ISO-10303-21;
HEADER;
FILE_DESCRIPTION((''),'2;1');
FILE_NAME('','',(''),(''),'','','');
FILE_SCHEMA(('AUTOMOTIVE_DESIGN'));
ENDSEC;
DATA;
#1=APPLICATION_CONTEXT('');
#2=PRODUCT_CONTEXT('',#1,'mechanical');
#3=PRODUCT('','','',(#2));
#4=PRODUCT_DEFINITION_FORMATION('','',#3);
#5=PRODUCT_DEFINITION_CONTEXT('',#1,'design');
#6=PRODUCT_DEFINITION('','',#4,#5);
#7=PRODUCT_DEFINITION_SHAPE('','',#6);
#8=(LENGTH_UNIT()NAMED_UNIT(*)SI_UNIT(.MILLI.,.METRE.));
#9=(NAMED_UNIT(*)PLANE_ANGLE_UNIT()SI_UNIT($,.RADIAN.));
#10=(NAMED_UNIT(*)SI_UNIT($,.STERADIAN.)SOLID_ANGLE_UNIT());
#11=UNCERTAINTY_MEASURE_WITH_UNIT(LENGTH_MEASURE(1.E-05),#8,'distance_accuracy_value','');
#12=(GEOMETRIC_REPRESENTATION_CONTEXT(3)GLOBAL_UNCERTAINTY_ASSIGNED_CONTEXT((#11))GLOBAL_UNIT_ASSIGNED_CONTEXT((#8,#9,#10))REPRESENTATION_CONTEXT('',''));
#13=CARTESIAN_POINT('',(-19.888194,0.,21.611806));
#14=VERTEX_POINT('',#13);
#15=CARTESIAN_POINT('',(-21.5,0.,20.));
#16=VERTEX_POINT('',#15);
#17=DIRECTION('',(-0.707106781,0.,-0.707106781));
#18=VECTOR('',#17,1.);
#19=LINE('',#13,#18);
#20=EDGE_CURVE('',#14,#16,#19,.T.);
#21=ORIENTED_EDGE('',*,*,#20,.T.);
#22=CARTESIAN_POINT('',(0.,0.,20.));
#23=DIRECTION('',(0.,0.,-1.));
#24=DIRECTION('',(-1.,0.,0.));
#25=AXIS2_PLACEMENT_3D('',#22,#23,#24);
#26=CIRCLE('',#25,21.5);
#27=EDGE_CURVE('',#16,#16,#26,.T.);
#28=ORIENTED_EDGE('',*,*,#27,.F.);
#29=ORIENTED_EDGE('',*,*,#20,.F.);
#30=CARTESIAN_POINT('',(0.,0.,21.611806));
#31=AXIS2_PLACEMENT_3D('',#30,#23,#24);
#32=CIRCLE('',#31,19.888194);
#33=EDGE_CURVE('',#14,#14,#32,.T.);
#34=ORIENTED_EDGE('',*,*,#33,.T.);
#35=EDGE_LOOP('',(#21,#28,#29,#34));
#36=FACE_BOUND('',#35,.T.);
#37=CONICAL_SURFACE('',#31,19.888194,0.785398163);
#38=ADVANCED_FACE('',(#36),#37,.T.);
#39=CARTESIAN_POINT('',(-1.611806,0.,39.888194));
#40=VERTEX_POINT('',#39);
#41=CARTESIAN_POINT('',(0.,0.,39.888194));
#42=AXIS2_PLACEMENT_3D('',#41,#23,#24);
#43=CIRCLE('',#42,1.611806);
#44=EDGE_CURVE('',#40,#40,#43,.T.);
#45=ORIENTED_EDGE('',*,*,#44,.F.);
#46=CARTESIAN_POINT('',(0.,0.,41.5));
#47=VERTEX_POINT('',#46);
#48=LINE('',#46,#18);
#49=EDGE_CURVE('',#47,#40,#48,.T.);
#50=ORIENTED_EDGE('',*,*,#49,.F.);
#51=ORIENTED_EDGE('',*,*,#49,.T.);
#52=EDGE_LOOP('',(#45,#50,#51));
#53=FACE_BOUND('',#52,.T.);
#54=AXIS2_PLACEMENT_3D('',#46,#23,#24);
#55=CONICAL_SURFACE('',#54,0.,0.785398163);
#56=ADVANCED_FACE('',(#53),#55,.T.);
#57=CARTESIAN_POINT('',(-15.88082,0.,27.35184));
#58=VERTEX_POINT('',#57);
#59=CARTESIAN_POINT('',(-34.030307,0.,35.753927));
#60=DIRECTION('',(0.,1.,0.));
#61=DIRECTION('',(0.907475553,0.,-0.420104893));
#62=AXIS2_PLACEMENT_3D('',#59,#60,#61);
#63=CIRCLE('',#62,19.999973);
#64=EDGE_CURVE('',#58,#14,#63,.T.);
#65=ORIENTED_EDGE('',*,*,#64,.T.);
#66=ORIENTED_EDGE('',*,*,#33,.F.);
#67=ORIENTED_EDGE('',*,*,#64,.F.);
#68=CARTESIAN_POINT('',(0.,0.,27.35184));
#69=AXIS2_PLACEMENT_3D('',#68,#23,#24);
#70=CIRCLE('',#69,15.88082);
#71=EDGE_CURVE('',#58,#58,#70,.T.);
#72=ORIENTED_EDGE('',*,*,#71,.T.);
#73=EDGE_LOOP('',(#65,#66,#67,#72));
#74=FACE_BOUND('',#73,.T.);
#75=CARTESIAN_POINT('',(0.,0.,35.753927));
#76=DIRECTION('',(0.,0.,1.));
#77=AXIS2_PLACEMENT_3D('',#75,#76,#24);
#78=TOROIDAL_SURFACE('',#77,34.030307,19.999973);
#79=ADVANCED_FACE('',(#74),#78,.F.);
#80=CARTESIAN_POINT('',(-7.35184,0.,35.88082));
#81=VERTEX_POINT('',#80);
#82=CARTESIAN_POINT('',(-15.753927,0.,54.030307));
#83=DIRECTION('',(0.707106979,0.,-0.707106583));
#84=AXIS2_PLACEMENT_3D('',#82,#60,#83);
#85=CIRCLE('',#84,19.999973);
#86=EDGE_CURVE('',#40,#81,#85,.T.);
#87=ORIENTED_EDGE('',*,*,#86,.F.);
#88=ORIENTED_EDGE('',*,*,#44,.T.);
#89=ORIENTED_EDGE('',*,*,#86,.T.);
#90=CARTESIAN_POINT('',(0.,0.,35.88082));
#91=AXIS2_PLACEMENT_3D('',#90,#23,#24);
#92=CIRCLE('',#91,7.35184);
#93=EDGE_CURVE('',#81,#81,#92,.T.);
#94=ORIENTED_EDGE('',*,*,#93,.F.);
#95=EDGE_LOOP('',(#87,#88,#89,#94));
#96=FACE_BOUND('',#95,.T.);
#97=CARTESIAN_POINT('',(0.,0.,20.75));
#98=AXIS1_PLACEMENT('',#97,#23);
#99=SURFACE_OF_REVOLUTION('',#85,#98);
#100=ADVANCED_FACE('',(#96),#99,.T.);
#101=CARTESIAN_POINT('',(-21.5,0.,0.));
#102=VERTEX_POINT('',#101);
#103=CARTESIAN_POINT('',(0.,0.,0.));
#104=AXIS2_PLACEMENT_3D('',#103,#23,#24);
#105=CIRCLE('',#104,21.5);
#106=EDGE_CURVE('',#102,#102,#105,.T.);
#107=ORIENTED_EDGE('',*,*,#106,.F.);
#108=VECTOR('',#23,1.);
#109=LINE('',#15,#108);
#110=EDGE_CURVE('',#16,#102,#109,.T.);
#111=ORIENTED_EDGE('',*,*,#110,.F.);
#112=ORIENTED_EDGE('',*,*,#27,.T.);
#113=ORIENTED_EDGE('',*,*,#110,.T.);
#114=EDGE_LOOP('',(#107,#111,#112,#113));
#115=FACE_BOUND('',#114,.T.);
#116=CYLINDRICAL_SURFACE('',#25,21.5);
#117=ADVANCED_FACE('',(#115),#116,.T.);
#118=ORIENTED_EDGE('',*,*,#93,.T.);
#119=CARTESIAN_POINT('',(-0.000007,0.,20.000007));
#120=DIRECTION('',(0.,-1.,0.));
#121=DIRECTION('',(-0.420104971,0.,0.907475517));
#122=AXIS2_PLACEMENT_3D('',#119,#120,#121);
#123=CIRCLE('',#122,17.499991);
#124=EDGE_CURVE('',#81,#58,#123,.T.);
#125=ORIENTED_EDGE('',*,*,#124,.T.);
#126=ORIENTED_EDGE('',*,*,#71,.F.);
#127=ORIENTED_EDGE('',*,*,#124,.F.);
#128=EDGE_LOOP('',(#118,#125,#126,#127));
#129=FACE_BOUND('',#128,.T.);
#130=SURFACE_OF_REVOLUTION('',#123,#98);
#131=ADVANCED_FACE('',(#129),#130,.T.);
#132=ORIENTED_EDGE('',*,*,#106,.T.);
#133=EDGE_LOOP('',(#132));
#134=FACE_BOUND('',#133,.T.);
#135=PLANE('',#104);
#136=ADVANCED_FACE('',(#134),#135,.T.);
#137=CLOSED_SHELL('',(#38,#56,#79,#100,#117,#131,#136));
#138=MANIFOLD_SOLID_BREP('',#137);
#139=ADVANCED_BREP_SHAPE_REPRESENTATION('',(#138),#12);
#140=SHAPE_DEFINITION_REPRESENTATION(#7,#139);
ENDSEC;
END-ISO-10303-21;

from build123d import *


with BuildPart() as f1:
    # F0 (on Front) → F1 (revolve)
    with BuildSketch(Plane.XZ):
        with BuildLine():
            Line((-21.5, 20), (-21.5, 0))
            Line((-21.5, 0), (0, 0))
            Line((0, 0), (0, 41.5))
            Line((0, 41.5), (-1.611806, 39.888194))
            ThreePointArc((-1.611806, 39.888194), (-4.305124, 37.631409), (-7.35184, 35.88082))
            ThreePointArc((-7.35184, 35.88082), (-12.374369, 32.374369), (-15.88082, 27.35184))
            ThreePointArc((-15.88082, 27.35184), (-17.631409, 24.305124), (-19.888194, 21.611806))
            Line((-19.888194, 21.611806), (-21.5, 20))
        make_face()
    revolve(axis=Axis((0, 0, 20.75), (0, 0, -1)))


solid = f1.part
